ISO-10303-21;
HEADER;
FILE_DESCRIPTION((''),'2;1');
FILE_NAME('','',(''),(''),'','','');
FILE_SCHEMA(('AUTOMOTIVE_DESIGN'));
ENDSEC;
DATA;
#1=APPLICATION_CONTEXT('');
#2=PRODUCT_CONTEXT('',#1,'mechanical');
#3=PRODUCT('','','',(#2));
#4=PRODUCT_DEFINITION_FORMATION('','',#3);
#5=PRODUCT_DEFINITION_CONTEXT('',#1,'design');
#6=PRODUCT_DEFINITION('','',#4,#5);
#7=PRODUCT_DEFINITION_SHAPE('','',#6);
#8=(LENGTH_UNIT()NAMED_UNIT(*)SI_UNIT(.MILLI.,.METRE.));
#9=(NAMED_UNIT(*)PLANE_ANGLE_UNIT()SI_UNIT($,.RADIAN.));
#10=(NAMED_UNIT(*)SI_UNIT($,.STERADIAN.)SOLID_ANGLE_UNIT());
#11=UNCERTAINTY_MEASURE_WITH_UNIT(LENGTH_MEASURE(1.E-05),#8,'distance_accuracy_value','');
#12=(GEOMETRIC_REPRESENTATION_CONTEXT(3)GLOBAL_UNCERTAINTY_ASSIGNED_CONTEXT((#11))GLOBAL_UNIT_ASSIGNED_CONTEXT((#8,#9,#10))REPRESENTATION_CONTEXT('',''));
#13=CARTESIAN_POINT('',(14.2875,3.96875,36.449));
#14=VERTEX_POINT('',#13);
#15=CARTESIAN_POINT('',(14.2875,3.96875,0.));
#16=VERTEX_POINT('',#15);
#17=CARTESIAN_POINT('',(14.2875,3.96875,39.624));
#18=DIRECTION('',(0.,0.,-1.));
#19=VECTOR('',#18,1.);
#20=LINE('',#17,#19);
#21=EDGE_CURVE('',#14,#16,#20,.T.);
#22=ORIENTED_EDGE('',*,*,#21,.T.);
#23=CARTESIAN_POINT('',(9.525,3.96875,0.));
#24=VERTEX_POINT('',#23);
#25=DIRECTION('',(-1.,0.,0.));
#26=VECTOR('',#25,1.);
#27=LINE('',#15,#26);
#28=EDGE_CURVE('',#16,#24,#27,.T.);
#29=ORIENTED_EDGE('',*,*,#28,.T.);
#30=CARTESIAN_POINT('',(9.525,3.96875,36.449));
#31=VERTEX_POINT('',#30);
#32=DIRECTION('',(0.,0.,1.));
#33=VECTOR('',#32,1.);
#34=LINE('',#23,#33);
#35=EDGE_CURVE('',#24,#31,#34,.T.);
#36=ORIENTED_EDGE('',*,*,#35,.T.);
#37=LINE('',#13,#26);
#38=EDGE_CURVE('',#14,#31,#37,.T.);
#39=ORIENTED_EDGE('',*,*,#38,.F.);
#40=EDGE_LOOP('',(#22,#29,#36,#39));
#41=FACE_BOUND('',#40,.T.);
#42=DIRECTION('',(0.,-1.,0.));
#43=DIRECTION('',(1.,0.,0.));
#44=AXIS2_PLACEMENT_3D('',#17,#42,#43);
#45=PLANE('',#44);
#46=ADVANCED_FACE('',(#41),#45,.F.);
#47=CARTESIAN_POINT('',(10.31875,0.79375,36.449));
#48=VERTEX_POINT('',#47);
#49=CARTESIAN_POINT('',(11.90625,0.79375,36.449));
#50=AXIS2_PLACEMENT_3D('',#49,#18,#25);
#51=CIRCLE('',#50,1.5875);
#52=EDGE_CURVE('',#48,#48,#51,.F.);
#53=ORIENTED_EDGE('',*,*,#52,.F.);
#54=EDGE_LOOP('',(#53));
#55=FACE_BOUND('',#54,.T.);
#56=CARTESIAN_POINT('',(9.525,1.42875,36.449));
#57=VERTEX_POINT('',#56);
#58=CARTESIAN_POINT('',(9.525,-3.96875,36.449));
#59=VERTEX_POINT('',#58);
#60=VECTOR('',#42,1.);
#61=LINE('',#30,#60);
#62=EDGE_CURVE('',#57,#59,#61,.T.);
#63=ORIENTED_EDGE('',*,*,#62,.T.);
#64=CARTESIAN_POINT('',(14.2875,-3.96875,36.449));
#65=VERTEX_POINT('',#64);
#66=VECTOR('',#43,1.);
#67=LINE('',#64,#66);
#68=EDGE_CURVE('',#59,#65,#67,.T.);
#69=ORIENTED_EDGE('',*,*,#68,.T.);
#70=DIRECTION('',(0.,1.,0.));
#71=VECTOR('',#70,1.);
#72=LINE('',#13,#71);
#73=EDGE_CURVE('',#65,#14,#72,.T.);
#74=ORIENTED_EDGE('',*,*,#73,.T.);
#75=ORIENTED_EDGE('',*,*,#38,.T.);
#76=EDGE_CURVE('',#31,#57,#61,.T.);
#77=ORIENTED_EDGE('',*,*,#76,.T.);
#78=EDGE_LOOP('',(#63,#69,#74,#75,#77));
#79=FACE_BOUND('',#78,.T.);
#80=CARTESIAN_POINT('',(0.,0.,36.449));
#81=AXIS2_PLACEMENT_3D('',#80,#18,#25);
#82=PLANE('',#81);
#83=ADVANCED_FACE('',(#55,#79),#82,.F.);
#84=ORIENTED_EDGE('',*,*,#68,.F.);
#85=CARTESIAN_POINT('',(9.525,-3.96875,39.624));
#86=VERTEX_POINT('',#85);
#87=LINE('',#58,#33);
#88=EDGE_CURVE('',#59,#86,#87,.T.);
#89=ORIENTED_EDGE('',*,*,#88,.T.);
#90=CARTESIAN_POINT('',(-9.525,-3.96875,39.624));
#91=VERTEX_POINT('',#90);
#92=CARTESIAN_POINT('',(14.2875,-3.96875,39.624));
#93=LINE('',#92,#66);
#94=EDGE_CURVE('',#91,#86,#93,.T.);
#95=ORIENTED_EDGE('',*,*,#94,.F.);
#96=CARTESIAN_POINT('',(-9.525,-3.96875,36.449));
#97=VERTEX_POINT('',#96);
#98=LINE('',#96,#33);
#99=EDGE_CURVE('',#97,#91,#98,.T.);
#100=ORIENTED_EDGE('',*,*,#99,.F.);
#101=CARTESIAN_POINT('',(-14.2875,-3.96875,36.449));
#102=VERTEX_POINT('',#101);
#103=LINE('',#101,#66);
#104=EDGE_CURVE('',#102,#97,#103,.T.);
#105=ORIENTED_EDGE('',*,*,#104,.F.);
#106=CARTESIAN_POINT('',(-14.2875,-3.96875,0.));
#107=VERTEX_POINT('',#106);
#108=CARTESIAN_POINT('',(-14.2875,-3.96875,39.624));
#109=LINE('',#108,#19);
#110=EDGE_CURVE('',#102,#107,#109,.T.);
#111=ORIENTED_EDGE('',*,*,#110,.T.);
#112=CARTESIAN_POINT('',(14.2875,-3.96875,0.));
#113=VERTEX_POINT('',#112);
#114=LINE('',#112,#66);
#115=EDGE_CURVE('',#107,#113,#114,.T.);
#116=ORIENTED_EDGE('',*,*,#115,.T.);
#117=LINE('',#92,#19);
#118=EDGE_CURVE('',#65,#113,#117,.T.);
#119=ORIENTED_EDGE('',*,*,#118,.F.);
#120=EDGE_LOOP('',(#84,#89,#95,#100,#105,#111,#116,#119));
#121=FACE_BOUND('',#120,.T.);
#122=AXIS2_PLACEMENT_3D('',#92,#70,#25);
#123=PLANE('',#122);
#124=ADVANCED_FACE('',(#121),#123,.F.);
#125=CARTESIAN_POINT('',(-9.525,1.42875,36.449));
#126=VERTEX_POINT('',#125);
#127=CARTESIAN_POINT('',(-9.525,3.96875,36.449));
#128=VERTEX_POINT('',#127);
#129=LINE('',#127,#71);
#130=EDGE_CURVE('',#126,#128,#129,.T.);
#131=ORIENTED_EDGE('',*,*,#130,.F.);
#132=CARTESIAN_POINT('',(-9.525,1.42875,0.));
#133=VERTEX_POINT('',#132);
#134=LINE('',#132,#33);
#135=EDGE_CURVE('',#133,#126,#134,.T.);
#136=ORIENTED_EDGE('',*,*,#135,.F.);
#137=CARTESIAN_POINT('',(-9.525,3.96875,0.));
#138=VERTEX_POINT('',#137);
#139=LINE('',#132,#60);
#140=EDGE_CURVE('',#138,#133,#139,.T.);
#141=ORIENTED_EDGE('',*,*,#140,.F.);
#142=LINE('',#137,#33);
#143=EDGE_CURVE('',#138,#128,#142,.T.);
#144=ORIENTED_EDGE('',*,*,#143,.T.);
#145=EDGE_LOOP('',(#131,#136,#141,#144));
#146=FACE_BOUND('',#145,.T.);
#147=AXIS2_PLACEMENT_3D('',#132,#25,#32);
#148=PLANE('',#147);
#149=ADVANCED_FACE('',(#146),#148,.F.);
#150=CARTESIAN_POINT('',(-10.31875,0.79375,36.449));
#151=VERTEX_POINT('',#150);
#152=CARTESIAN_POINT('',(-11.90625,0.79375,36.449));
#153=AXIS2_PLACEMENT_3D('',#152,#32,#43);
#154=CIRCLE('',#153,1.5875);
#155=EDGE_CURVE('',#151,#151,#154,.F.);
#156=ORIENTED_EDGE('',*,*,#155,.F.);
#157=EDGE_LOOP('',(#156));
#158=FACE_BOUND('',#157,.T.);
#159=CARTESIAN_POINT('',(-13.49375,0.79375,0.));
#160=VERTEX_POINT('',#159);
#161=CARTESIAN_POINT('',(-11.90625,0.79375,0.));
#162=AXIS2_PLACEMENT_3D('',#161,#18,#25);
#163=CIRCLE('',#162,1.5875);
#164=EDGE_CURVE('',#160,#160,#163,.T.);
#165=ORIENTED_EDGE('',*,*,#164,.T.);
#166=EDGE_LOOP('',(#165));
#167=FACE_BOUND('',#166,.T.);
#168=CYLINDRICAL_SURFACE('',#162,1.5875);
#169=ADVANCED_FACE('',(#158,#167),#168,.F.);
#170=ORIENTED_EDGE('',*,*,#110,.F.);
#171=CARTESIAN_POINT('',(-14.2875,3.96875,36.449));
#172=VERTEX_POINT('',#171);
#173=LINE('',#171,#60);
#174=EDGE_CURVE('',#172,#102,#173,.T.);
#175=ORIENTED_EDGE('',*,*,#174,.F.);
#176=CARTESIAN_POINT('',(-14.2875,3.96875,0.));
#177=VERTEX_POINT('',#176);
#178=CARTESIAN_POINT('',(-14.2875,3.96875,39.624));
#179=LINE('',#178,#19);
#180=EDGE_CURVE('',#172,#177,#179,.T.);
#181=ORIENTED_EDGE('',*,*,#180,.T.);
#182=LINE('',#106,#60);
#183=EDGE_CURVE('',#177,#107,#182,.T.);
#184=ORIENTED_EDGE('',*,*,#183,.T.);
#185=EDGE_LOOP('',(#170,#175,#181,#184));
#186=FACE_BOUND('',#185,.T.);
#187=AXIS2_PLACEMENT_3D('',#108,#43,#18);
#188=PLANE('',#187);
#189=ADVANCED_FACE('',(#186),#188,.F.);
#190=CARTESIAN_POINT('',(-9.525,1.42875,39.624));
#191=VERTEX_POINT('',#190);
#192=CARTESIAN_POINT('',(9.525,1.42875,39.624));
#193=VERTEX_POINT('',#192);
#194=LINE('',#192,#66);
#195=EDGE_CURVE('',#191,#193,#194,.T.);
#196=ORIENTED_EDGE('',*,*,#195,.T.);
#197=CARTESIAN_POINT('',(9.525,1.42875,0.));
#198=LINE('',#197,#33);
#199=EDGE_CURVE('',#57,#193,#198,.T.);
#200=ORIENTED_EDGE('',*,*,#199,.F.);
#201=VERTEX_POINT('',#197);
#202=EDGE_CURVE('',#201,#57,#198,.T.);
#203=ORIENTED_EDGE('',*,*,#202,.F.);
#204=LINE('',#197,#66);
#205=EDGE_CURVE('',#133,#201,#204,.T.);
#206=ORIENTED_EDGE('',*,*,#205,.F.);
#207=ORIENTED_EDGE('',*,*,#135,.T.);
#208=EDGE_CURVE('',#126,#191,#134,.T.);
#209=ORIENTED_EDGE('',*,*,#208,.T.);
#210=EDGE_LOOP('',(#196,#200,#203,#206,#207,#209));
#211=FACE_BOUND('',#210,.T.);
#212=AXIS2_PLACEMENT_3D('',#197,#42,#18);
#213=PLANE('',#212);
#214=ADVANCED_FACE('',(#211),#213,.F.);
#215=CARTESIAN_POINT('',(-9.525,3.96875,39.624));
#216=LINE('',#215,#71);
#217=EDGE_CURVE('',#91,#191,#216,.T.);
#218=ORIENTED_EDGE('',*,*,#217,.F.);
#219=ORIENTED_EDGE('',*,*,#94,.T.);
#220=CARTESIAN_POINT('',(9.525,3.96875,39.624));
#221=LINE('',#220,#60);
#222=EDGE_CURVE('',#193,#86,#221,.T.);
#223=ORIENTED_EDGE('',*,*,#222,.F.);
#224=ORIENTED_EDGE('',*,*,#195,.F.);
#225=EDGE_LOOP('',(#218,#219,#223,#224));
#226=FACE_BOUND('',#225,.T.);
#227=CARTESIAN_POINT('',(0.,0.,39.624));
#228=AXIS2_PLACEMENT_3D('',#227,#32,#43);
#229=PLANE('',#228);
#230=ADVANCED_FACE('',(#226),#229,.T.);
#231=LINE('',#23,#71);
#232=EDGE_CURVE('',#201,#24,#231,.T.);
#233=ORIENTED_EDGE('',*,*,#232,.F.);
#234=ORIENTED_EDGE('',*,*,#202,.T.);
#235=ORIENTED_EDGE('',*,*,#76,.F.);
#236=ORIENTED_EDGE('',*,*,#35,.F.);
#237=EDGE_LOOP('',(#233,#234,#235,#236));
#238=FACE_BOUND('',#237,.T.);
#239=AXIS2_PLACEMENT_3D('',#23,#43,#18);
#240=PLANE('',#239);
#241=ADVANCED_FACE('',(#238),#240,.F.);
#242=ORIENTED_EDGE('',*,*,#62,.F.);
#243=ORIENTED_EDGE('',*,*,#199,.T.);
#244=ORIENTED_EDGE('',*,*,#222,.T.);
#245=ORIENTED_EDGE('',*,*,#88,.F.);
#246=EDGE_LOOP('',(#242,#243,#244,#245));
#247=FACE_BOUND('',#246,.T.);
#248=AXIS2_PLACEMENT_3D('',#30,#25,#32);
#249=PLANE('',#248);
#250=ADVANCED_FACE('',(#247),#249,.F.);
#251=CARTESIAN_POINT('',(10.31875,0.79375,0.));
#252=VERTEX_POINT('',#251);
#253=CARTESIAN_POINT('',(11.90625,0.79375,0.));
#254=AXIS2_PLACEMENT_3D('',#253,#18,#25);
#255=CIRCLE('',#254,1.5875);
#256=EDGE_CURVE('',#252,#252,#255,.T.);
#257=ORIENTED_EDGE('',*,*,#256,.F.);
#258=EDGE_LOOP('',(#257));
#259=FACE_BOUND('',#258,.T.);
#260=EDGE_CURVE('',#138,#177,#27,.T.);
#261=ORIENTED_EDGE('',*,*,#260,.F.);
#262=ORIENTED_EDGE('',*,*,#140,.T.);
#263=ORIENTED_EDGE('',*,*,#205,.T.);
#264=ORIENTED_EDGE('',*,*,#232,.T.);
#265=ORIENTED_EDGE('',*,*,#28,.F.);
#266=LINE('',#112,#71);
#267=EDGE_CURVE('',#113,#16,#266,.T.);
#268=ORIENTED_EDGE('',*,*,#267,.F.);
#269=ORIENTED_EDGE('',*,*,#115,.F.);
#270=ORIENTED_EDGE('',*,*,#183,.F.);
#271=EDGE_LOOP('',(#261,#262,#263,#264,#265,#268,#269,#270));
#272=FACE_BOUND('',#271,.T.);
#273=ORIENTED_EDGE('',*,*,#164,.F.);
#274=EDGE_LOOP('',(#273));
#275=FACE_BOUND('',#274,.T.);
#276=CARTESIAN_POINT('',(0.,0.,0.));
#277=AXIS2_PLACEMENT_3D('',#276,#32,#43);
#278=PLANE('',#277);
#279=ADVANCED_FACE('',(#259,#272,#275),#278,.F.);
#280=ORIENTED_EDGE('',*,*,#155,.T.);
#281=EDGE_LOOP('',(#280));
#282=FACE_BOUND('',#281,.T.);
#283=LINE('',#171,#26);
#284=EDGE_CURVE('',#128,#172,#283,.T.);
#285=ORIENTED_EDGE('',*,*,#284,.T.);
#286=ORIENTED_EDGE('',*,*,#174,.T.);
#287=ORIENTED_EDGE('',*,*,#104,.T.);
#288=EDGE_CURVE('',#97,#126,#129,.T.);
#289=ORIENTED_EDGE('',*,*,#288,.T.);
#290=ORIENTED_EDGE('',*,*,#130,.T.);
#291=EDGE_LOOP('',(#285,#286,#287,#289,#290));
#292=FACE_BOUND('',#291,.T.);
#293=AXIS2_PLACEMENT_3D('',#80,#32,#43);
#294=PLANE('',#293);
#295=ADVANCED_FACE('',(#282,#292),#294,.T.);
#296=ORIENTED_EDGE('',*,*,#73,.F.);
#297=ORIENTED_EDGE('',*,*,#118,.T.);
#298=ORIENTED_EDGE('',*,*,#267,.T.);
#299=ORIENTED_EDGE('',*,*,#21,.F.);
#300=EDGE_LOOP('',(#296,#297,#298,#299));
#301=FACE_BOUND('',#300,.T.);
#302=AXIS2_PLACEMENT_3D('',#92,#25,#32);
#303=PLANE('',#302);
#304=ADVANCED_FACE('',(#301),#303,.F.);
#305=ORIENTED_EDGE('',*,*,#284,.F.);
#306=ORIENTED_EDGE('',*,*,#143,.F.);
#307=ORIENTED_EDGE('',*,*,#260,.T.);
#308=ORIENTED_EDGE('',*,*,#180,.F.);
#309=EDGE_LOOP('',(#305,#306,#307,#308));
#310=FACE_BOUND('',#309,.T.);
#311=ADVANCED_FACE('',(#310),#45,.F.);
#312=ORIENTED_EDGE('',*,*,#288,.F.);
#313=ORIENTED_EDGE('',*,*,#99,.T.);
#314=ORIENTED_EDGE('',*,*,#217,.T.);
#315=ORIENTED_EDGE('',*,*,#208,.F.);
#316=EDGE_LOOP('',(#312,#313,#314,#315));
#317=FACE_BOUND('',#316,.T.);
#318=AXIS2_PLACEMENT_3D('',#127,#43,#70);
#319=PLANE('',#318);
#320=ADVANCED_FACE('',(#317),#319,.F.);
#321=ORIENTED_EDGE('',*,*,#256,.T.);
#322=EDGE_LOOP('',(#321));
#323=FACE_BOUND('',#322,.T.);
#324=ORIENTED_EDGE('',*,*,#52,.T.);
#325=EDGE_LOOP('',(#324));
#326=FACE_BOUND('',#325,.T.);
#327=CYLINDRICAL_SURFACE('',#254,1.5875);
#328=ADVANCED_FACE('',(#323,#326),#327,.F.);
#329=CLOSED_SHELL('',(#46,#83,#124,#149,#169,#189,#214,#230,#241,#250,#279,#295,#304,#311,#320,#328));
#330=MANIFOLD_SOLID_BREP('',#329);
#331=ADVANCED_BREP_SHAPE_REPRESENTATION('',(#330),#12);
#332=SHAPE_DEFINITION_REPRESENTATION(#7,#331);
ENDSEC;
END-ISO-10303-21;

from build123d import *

# Parameters (mm, degrees)
SKETCH1_W                           = 28.575
SKETCH1_H                           = 7.9375
BOSS_EXTRUDE1_DEPTH                 = 39.624
SKETCH2_W                           = 19.05
SKETCH2_H                           = 2.54
CUT_EXTRUDE1_DEPTH                  = 43.307741713
F_1_8_0_125_CLEARANCE_DOWEL_HOLE1_D = 3.175
SKETCH6_W                           = 4.7625
SKETCH6_H                           = 7.9375
CUT_EXTRUDE2_DEPTH                  = 3.175


with BuildPart() as part:
    # Sketch1 → Boss-Extrude1 (new body)
    with BuildSketch(Plane.XY):
        Rectangle(SKETCH1_W, SKETCH1_H)
    extrude(amount=BOSS_EXTRUDE1_DEPTH)

    # Sketch2 → Cut-Extrude1 (cut, through all)
    with BuildSketch(Plane.XY.offset(39.624)):
        with Locations((0, 2.69875)):
            Rectangle(SKETCH2_W, SKETCH2_H)
    extrude(amount=-CUT_EXTRUDE1_DEPTH, mode=Mode.SUBTRACT)

    # 1/8 (0.125) Clearance Dowel Hole1 (through all)
    with Locations(Plane(origin=(0, 0, 0), x_dir=(-1, 0, 0), z_dir=(0, 0, -1))):
        with Locations((-11.90625, 0.79375), (11.90625, 0.79375)):
            Hole(F_1_8_0_125_CLEARANCE_DOWEL_HOLE1_D / 2)

    # Sketch6 → Cut-Extrude2 (cut)
    with BuildSketch(Plane.XY.offset(39.624)):
        with Locations((-11.90625, 0)):
            Rectangle(SKETCH6_W, SKETCH6_H)
        with Locations((11.90625, 0)):
            Rectangle(SKETCH6_W, SKETCH6_H)
    extrude(amount=-CUT_EXTRUDE2_DEPTH, mode=Mode.SUBTRACT)


solid = part.part
